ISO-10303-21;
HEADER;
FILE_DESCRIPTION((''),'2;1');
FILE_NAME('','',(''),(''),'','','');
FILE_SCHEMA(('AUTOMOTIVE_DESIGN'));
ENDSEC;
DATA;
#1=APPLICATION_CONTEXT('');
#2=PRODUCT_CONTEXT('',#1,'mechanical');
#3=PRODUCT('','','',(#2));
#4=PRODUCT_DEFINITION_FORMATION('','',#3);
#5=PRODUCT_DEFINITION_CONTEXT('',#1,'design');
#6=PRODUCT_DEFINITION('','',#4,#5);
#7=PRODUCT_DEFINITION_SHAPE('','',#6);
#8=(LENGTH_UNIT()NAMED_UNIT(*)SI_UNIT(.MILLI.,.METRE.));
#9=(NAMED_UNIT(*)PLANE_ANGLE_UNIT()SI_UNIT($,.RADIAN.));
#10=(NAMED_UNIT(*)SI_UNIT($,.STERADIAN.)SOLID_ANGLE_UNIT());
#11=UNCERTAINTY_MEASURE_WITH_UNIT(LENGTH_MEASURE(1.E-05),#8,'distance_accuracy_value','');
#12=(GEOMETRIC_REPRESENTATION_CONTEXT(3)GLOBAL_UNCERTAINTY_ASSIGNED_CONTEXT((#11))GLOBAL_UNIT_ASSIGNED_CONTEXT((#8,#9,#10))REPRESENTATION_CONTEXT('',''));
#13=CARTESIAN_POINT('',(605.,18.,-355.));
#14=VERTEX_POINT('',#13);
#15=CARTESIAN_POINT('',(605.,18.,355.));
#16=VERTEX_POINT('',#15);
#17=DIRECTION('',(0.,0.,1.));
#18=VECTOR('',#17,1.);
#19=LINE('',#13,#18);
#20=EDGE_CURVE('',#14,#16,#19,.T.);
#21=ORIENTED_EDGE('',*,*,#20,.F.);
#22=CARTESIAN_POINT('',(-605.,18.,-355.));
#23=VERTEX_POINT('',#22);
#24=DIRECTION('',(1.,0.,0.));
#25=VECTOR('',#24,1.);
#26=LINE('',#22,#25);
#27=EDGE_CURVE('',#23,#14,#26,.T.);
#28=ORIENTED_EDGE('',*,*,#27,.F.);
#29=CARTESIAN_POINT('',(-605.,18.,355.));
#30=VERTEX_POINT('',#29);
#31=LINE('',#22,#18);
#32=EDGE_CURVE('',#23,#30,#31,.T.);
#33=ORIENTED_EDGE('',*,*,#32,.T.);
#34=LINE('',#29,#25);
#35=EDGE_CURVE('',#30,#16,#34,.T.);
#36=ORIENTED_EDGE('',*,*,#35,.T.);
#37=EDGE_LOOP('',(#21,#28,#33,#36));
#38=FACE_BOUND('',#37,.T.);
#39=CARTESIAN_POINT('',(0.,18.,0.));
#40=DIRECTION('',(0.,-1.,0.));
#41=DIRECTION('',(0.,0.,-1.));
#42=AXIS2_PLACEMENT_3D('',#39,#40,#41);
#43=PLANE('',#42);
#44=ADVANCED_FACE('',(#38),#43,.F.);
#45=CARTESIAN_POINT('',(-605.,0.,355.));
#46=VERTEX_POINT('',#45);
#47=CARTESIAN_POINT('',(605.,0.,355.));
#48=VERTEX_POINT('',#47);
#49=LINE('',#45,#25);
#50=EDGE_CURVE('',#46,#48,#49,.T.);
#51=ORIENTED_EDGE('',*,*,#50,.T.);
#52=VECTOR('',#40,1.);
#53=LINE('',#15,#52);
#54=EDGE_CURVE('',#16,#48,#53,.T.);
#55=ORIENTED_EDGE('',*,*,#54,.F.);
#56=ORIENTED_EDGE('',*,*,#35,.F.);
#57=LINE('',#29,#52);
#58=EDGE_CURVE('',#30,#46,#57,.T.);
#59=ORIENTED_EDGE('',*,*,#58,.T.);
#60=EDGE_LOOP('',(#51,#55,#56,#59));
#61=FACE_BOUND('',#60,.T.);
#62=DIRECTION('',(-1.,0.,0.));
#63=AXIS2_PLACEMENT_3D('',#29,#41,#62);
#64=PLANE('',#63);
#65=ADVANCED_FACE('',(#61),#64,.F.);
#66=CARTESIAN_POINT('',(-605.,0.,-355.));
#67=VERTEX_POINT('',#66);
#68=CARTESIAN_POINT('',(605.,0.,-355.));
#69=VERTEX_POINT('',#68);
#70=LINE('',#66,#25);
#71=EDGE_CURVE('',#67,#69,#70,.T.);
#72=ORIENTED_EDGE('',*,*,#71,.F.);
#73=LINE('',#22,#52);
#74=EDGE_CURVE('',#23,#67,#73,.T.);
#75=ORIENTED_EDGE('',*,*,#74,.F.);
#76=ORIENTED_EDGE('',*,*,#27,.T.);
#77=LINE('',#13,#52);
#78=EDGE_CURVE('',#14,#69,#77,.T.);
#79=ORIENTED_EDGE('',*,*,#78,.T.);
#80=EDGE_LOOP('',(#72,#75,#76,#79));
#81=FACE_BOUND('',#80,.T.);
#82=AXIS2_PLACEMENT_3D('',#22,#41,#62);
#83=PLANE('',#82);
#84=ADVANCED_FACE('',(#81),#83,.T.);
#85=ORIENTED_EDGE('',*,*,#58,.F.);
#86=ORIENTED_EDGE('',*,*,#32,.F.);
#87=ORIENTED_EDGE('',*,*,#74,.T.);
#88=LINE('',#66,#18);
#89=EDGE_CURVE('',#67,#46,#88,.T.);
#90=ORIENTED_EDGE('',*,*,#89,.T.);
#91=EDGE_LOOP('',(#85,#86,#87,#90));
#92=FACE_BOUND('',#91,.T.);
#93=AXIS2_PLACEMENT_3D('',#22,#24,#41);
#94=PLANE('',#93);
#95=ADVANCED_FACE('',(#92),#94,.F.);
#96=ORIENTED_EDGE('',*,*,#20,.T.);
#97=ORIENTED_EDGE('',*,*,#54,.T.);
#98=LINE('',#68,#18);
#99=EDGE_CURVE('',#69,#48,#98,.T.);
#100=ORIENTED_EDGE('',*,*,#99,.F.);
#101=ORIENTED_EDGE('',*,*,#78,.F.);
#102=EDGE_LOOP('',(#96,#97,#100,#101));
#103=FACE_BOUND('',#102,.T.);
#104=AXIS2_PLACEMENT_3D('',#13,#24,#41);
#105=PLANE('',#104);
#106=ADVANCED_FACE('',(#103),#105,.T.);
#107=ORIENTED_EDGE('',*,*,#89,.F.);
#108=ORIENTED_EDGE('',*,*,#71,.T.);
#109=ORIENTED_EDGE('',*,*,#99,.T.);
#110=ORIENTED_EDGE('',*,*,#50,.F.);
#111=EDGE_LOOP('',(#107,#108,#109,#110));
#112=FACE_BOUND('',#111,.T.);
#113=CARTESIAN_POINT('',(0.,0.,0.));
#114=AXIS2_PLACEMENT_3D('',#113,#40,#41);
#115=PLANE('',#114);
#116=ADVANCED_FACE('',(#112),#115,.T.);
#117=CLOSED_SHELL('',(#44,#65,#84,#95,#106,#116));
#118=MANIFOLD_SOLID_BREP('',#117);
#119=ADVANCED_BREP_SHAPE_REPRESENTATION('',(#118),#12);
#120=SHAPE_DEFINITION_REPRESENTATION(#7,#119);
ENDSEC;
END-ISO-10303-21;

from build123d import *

# Parameters (mm, degrees)
ESQUISSE1_W        = 1210
ESQUISSE1_H        = 710
BOSS_EXTRU_1_DEPTH = 18


with BuildPart() as part:
    # Esquisse1 → Boss.-Extru.1 (new body)
    with BuildSketch(Plane(origin=(0, 0, 0), x_dir=(1, 0, 0), z_dir=(0, 1, 0))):
        Rectangle(ESQUISSE1_W, ESQUISSE1_H)
    extrude(amount=BOSS_EXTRU_1_DEPTH)


solid = part.part
